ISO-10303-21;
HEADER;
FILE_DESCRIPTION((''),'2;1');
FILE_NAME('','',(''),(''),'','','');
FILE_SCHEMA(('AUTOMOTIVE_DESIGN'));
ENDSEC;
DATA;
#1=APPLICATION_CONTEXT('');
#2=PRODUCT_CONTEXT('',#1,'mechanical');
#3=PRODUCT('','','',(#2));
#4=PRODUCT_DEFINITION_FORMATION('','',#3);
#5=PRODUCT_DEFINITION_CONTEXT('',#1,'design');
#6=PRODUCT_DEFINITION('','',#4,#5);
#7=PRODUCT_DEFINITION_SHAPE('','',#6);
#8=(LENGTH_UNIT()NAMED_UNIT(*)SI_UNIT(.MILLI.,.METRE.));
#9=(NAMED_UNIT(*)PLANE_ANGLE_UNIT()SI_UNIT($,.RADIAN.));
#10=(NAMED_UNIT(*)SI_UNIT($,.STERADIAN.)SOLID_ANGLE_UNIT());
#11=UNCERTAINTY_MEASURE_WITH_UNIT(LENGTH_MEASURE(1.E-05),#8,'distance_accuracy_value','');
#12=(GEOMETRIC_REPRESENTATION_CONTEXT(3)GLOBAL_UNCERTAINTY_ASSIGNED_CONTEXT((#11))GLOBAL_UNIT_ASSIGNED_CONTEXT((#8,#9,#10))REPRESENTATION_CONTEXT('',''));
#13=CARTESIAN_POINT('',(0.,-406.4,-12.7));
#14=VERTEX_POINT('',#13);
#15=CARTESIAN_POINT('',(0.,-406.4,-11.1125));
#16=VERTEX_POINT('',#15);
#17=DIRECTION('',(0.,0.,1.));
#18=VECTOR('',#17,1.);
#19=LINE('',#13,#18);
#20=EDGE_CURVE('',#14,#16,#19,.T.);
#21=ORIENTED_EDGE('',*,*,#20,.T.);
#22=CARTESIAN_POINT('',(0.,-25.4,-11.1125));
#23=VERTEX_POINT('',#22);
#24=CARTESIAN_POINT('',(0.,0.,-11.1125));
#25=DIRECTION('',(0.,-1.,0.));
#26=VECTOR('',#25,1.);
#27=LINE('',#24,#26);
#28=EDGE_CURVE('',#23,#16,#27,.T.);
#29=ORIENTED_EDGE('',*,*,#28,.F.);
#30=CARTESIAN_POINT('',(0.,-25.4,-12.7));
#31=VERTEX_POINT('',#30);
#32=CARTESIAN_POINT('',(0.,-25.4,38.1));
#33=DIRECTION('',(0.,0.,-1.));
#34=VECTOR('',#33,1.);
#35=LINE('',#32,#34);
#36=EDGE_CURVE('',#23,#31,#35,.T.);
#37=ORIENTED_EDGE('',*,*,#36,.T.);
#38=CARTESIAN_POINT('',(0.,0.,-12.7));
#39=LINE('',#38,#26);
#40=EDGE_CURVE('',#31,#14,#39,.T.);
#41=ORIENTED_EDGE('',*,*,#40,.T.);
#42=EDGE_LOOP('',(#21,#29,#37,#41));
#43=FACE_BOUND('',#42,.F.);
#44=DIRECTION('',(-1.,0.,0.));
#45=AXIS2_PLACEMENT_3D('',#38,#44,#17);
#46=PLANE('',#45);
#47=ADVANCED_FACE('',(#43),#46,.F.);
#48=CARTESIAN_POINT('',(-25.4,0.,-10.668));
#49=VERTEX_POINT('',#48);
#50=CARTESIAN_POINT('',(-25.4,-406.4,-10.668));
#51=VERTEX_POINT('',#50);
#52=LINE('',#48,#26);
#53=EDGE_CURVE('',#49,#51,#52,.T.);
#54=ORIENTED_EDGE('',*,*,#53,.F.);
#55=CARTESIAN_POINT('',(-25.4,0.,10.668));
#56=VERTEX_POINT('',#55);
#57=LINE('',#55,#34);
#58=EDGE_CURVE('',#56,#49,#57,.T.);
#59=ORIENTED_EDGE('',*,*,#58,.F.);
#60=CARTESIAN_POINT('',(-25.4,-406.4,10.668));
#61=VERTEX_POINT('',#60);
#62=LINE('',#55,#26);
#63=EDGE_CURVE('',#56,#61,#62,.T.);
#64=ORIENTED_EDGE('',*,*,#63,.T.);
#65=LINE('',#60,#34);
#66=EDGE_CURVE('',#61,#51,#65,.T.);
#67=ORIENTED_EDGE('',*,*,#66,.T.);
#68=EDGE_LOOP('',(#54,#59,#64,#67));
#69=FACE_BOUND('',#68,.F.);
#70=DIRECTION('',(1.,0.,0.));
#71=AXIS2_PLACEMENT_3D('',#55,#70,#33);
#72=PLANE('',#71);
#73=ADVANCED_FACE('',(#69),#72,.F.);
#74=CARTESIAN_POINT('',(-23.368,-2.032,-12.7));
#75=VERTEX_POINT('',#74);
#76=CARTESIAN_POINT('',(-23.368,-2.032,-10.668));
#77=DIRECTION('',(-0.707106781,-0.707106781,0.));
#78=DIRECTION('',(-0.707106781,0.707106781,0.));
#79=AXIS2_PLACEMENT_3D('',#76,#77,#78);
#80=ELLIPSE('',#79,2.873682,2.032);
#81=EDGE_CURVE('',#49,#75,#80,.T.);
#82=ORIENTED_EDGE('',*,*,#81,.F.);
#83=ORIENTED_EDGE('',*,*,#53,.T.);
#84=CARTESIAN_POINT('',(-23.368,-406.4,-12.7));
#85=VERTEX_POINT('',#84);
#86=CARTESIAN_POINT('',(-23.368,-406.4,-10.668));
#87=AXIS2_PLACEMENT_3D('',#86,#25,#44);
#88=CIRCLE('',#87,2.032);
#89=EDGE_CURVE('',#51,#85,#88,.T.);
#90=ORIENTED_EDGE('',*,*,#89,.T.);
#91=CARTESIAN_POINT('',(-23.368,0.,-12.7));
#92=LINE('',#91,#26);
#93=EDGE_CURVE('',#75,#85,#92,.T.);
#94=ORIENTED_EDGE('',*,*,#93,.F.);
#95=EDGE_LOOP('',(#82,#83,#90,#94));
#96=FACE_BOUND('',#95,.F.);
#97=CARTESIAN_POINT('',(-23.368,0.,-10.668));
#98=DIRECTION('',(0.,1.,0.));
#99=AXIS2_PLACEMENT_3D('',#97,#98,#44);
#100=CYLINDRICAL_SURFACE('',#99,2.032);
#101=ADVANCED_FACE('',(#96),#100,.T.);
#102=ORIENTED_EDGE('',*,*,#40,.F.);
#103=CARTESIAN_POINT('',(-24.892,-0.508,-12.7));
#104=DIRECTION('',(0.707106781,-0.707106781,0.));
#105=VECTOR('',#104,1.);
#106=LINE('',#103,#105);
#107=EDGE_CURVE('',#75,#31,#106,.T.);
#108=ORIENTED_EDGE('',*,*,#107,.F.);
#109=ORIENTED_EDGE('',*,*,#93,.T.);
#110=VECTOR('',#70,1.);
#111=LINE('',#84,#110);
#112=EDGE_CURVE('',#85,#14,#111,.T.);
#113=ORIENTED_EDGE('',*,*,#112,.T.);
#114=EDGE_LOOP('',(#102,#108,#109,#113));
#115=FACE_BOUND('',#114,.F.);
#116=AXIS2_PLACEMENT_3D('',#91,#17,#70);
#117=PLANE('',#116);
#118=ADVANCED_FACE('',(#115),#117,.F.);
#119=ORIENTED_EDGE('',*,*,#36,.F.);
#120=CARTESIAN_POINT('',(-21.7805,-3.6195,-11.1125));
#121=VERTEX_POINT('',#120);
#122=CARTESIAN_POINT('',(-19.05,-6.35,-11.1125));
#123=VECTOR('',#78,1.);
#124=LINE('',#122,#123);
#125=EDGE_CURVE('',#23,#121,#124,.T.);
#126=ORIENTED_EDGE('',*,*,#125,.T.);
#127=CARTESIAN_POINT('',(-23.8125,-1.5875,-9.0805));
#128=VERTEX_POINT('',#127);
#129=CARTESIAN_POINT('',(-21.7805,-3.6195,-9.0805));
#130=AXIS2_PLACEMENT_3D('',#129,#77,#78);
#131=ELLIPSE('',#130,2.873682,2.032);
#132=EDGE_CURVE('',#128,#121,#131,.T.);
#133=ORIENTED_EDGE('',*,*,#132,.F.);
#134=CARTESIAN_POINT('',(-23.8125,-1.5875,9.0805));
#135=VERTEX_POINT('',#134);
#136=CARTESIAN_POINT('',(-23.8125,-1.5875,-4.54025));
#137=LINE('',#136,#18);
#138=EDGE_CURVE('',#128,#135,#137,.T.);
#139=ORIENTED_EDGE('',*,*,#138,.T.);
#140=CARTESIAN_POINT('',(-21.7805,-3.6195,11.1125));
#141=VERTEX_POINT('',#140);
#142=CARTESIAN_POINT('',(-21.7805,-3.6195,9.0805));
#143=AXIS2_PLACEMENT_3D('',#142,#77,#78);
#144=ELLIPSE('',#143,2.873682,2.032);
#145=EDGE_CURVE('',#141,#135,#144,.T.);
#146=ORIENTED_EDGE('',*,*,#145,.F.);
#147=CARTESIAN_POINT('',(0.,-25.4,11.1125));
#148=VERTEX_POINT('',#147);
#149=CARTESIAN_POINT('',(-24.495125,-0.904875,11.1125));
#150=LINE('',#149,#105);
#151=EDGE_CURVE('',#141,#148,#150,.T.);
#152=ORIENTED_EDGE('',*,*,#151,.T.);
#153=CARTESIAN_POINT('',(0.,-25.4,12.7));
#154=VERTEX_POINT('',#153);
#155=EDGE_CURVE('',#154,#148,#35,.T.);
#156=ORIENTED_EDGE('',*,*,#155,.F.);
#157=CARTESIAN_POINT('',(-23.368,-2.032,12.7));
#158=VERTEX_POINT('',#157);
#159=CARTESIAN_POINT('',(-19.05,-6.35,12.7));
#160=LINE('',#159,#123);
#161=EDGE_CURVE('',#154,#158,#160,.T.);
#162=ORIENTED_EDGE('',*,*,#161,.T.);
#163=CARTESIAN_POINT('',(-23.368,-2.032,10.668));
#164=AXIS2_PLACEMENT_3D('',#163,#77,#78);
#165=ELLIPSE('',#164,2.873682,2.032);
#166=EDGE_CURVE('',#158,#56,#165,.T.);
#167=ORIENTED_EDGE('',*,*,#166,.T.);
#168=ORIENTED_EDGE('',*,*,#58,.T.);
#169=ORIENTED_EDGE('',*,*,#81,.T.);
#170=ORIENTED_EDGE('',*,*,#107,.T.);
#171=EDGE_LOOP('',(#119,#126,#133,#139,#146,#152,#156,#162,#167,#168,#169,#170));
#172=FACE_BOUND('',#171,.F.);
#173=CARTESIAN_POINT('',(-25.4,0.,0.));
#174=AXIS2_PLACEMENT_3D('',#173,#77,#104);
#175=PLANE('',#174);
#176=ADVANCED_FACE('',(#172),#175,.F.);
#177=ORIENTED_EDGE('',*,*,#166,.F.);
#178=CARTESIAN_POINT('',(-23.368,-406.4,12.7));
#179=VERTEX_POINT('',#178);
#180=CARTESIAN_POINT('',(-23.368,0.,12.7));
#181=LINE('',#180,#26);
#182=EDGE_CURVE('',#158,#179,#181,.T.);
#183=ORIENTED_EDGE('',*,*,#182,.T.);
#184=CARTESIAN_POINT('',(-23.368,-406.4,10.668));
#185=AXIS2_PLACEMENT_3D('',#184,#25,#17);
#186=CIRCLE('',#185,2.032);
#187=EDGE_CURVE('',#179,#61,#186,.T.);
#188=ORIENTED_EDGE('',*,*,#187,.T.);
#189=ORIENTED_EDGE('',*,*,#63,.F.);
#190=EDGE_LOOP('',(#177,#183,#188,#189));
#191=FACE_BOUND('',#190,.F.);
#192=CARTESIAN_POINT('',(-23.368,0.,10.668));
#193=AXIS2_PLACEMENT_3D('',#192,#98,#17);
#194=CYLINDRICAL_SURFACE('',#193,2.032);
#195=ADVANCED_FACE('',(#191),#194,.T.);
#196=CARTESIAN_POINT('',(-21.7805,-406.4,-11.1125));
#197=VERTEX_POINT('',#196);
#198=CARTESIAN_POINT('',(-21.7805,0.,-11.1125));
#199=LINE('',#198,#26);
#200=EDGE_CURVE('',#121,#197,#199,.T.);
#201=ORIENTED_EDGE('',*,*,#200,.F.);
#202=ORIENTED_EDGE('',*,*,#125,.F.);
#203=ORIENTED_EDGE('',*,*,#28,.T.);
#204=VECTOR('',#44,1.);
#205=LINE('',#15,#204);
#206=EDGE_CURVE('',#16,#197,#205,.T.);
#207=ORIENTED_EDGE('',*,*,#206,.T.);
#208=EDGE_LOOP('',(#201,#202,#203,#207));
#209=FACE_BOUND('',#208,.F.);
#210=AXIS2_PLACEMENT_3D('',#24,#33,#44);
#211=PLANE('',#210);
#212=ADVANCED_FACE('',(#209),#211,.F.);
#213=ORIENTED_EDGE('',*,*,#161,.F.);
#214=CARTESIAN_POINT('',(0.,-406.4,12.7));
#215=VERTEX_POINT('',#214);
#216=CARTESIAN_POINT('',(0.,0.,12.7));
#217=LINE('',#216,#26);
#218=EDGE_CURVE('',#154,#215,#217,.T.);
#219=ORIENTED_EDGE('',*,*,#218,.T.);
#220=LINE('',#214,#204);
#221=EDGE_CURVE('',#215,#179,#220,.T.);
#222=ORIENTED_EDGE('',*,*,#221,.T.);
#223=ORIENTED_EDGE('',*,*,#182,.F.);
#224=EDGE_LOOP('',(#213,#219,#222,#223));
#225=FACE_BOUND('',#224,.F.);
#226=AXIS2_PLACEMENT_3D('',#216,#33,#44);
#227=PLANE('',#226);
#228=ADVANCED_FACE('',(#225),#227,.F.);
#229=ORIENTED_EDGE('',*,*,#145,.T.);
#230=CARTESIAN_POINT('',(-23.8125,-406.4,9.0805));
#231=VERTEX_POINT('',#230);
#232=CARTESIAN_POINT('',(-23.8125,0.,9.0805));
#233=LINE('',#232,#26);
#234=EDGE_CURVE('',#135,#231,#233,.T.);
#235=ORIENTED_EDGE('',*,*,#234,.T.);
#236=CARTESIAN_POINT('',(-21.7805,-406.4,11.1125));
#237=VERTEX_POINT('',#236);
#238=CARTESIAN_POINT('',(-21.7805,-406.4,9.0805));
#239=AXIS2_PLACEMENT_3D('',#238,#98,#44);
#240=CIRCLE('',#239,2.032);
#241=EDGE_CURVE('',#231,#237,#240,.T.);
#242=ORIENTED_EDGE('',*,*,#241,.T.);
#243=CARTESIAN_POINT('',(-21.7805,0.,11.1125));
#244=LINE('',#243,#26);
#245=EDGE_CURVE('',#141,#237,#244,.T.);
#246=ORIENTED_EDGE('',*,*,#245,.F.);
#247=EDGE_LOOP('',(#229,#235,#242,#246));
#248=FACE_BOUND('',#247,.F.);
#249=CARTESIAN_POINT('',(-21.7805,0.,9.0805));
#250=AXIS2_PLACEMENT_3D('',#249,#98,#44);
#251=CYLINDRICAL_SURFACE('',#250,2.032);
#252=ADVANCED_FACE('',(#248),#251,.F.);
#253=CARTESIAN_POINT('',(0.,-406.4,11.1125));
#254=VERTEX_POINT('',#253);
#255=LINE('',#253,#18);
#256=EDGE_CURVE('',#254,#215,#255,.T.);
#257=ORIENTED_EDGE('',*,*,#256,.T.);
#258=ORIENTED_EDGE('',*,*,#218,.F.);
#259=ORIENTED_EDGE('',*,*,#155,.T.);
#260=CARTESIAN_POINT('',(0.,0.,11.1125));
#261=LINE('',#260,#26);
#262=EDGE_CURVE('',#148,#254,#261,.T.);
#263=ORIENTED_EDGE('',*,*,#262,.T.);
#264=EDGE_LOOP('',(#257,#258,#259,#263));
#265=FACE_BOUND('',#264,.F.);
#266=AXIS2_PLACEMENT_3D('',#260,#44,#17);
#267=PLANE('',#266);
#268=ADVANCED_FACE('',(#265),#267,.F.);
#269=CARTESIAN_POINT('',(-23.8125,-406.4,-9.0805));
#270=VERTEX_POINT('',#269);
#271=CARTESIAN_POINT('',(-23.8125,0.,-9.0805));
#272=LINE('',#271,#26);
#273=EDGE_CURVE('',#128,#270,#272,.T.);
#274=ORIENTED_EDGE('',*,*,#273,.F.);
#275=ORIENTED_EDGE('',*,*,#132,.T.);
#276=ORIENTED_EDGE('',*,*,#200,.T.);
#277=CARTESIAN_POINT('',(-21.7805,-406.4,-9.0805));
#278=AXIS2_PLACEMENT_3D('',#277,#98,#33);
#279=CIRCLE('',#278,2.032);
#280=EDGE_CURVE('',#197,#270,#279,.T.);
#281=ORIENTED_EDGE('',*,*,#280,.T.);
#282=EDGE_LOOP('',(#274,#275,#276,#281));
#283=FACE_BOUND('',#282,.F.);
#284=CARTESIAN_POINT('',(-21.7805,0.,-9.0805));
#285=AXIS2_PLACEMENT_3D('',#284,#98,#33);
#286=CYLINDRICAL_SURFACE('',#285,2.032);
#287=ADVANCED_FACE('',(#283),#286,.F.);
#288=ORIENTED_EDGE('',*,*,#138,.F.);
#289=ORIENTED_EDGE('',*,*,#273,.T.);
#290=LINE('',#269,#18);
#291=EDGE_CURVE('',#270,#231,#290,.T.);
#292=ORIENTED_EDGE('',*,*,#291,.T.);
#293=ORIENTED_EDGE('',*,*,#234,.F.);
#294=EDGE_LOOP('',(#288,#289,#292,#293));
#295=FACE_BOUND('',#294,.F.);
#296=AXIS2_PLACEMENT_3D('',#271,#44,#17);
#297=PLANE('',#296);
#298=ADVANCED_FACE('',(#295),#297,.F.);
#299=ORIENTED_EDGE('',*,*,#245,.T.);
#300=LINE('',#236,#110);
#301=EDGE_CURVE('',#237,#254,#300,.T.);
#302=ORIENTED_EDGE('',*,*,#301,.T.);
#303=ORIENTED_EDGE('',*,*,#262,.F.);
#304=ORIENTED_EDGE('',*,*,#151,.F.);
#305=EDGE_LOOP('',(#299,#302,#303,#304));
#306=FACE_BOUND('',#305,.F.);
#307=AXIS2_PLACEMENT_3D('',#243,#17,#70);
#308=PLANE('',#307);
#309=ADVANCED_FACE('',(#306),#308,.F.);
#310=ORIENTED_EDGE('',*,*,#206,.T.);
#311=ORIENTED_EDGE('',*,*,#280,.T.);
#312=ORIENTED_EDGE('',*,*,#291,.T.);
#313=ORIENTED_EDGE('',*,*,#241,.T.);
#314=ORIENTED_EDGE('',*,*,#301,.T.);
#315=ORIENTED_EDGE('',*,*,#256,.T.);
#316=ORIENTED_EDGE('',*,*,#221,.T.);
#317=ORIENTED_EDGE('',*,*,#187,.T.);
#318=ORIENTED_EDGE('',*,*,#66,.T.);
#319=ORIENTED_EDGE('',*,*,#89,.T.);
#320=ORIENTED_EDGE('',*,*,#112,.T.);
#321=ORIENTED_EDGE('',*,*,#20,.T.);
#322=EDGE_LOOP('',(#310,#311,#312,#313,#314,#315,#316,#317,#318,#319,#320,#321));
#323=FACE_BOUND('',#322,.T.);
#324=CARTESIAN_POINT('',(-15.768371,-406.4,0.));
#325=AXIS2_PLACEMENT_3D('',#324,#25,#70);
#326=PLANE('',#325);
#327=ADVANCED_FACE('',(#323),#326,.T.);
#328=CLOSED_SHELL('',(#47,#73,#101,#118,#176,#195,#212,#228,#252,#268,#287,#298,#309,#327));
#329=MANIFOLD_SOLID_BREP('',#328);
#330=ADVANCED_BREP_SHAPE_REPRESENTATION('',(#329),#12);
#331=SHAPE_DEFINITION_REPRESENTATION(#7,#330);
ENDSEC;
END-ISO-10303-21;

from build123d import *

# Parameters (mm, degrees)
F1_DEPTH = 406.4
F3_DEPTH = 38.1


with BuildPart() as f1:
    # F0 (on Front) → F1 (new body)
    with BuildSketch(Plane.XZ):
        with BuildLine():
            Line((0, 12.7), (-23.368, 12.7))
            ThreePointArc((-23.368, 12.7), (-24.8048409794, 12.1048409794), (-25.4, 10.668))
            Line((-25.4, 10.668), (-25.4, -10.668))
            ThreePointArc((-25.4, -10.668), (-24.8048409794, -12.1048409794), (-23.368, -12.7))
            Line((-23.368, -12.7), (0, -12.7))
            Line((0, -12.7), (0, -11.1125))
            Line((0, -11.1125), (-21.7805, -11.1125))
            ThreePointArc((-21.7805, -11.1125), (-23.2173409794, -10.5173409794), (-23.8125, -9.0805))
            Line((-23.8125, -9.0805), (-23.8125, 9.0805))
            ThreePointArc((-23.8125, 9.0805), (-23.2173409794, 10.5173409794), (-21.7805, 11.1125))
            Line((-21.7805, 11.1125), (0, 11.1125))
            Line((0, 11.1125), (0, 12.7))
        make_face()
    extrude(amount=F1_DEPTH)

    # F2 (on Top) → F3 (cut, symmetric)
    with BuildSketch(Plane.XY):
        Polygon((0, -25.4), (0, 0), (-25.4, 0), align=None)
    extrude(amount=F3_DEPTH, both=True, mode=Mode.SUBTRACT)


solid = f1.part
